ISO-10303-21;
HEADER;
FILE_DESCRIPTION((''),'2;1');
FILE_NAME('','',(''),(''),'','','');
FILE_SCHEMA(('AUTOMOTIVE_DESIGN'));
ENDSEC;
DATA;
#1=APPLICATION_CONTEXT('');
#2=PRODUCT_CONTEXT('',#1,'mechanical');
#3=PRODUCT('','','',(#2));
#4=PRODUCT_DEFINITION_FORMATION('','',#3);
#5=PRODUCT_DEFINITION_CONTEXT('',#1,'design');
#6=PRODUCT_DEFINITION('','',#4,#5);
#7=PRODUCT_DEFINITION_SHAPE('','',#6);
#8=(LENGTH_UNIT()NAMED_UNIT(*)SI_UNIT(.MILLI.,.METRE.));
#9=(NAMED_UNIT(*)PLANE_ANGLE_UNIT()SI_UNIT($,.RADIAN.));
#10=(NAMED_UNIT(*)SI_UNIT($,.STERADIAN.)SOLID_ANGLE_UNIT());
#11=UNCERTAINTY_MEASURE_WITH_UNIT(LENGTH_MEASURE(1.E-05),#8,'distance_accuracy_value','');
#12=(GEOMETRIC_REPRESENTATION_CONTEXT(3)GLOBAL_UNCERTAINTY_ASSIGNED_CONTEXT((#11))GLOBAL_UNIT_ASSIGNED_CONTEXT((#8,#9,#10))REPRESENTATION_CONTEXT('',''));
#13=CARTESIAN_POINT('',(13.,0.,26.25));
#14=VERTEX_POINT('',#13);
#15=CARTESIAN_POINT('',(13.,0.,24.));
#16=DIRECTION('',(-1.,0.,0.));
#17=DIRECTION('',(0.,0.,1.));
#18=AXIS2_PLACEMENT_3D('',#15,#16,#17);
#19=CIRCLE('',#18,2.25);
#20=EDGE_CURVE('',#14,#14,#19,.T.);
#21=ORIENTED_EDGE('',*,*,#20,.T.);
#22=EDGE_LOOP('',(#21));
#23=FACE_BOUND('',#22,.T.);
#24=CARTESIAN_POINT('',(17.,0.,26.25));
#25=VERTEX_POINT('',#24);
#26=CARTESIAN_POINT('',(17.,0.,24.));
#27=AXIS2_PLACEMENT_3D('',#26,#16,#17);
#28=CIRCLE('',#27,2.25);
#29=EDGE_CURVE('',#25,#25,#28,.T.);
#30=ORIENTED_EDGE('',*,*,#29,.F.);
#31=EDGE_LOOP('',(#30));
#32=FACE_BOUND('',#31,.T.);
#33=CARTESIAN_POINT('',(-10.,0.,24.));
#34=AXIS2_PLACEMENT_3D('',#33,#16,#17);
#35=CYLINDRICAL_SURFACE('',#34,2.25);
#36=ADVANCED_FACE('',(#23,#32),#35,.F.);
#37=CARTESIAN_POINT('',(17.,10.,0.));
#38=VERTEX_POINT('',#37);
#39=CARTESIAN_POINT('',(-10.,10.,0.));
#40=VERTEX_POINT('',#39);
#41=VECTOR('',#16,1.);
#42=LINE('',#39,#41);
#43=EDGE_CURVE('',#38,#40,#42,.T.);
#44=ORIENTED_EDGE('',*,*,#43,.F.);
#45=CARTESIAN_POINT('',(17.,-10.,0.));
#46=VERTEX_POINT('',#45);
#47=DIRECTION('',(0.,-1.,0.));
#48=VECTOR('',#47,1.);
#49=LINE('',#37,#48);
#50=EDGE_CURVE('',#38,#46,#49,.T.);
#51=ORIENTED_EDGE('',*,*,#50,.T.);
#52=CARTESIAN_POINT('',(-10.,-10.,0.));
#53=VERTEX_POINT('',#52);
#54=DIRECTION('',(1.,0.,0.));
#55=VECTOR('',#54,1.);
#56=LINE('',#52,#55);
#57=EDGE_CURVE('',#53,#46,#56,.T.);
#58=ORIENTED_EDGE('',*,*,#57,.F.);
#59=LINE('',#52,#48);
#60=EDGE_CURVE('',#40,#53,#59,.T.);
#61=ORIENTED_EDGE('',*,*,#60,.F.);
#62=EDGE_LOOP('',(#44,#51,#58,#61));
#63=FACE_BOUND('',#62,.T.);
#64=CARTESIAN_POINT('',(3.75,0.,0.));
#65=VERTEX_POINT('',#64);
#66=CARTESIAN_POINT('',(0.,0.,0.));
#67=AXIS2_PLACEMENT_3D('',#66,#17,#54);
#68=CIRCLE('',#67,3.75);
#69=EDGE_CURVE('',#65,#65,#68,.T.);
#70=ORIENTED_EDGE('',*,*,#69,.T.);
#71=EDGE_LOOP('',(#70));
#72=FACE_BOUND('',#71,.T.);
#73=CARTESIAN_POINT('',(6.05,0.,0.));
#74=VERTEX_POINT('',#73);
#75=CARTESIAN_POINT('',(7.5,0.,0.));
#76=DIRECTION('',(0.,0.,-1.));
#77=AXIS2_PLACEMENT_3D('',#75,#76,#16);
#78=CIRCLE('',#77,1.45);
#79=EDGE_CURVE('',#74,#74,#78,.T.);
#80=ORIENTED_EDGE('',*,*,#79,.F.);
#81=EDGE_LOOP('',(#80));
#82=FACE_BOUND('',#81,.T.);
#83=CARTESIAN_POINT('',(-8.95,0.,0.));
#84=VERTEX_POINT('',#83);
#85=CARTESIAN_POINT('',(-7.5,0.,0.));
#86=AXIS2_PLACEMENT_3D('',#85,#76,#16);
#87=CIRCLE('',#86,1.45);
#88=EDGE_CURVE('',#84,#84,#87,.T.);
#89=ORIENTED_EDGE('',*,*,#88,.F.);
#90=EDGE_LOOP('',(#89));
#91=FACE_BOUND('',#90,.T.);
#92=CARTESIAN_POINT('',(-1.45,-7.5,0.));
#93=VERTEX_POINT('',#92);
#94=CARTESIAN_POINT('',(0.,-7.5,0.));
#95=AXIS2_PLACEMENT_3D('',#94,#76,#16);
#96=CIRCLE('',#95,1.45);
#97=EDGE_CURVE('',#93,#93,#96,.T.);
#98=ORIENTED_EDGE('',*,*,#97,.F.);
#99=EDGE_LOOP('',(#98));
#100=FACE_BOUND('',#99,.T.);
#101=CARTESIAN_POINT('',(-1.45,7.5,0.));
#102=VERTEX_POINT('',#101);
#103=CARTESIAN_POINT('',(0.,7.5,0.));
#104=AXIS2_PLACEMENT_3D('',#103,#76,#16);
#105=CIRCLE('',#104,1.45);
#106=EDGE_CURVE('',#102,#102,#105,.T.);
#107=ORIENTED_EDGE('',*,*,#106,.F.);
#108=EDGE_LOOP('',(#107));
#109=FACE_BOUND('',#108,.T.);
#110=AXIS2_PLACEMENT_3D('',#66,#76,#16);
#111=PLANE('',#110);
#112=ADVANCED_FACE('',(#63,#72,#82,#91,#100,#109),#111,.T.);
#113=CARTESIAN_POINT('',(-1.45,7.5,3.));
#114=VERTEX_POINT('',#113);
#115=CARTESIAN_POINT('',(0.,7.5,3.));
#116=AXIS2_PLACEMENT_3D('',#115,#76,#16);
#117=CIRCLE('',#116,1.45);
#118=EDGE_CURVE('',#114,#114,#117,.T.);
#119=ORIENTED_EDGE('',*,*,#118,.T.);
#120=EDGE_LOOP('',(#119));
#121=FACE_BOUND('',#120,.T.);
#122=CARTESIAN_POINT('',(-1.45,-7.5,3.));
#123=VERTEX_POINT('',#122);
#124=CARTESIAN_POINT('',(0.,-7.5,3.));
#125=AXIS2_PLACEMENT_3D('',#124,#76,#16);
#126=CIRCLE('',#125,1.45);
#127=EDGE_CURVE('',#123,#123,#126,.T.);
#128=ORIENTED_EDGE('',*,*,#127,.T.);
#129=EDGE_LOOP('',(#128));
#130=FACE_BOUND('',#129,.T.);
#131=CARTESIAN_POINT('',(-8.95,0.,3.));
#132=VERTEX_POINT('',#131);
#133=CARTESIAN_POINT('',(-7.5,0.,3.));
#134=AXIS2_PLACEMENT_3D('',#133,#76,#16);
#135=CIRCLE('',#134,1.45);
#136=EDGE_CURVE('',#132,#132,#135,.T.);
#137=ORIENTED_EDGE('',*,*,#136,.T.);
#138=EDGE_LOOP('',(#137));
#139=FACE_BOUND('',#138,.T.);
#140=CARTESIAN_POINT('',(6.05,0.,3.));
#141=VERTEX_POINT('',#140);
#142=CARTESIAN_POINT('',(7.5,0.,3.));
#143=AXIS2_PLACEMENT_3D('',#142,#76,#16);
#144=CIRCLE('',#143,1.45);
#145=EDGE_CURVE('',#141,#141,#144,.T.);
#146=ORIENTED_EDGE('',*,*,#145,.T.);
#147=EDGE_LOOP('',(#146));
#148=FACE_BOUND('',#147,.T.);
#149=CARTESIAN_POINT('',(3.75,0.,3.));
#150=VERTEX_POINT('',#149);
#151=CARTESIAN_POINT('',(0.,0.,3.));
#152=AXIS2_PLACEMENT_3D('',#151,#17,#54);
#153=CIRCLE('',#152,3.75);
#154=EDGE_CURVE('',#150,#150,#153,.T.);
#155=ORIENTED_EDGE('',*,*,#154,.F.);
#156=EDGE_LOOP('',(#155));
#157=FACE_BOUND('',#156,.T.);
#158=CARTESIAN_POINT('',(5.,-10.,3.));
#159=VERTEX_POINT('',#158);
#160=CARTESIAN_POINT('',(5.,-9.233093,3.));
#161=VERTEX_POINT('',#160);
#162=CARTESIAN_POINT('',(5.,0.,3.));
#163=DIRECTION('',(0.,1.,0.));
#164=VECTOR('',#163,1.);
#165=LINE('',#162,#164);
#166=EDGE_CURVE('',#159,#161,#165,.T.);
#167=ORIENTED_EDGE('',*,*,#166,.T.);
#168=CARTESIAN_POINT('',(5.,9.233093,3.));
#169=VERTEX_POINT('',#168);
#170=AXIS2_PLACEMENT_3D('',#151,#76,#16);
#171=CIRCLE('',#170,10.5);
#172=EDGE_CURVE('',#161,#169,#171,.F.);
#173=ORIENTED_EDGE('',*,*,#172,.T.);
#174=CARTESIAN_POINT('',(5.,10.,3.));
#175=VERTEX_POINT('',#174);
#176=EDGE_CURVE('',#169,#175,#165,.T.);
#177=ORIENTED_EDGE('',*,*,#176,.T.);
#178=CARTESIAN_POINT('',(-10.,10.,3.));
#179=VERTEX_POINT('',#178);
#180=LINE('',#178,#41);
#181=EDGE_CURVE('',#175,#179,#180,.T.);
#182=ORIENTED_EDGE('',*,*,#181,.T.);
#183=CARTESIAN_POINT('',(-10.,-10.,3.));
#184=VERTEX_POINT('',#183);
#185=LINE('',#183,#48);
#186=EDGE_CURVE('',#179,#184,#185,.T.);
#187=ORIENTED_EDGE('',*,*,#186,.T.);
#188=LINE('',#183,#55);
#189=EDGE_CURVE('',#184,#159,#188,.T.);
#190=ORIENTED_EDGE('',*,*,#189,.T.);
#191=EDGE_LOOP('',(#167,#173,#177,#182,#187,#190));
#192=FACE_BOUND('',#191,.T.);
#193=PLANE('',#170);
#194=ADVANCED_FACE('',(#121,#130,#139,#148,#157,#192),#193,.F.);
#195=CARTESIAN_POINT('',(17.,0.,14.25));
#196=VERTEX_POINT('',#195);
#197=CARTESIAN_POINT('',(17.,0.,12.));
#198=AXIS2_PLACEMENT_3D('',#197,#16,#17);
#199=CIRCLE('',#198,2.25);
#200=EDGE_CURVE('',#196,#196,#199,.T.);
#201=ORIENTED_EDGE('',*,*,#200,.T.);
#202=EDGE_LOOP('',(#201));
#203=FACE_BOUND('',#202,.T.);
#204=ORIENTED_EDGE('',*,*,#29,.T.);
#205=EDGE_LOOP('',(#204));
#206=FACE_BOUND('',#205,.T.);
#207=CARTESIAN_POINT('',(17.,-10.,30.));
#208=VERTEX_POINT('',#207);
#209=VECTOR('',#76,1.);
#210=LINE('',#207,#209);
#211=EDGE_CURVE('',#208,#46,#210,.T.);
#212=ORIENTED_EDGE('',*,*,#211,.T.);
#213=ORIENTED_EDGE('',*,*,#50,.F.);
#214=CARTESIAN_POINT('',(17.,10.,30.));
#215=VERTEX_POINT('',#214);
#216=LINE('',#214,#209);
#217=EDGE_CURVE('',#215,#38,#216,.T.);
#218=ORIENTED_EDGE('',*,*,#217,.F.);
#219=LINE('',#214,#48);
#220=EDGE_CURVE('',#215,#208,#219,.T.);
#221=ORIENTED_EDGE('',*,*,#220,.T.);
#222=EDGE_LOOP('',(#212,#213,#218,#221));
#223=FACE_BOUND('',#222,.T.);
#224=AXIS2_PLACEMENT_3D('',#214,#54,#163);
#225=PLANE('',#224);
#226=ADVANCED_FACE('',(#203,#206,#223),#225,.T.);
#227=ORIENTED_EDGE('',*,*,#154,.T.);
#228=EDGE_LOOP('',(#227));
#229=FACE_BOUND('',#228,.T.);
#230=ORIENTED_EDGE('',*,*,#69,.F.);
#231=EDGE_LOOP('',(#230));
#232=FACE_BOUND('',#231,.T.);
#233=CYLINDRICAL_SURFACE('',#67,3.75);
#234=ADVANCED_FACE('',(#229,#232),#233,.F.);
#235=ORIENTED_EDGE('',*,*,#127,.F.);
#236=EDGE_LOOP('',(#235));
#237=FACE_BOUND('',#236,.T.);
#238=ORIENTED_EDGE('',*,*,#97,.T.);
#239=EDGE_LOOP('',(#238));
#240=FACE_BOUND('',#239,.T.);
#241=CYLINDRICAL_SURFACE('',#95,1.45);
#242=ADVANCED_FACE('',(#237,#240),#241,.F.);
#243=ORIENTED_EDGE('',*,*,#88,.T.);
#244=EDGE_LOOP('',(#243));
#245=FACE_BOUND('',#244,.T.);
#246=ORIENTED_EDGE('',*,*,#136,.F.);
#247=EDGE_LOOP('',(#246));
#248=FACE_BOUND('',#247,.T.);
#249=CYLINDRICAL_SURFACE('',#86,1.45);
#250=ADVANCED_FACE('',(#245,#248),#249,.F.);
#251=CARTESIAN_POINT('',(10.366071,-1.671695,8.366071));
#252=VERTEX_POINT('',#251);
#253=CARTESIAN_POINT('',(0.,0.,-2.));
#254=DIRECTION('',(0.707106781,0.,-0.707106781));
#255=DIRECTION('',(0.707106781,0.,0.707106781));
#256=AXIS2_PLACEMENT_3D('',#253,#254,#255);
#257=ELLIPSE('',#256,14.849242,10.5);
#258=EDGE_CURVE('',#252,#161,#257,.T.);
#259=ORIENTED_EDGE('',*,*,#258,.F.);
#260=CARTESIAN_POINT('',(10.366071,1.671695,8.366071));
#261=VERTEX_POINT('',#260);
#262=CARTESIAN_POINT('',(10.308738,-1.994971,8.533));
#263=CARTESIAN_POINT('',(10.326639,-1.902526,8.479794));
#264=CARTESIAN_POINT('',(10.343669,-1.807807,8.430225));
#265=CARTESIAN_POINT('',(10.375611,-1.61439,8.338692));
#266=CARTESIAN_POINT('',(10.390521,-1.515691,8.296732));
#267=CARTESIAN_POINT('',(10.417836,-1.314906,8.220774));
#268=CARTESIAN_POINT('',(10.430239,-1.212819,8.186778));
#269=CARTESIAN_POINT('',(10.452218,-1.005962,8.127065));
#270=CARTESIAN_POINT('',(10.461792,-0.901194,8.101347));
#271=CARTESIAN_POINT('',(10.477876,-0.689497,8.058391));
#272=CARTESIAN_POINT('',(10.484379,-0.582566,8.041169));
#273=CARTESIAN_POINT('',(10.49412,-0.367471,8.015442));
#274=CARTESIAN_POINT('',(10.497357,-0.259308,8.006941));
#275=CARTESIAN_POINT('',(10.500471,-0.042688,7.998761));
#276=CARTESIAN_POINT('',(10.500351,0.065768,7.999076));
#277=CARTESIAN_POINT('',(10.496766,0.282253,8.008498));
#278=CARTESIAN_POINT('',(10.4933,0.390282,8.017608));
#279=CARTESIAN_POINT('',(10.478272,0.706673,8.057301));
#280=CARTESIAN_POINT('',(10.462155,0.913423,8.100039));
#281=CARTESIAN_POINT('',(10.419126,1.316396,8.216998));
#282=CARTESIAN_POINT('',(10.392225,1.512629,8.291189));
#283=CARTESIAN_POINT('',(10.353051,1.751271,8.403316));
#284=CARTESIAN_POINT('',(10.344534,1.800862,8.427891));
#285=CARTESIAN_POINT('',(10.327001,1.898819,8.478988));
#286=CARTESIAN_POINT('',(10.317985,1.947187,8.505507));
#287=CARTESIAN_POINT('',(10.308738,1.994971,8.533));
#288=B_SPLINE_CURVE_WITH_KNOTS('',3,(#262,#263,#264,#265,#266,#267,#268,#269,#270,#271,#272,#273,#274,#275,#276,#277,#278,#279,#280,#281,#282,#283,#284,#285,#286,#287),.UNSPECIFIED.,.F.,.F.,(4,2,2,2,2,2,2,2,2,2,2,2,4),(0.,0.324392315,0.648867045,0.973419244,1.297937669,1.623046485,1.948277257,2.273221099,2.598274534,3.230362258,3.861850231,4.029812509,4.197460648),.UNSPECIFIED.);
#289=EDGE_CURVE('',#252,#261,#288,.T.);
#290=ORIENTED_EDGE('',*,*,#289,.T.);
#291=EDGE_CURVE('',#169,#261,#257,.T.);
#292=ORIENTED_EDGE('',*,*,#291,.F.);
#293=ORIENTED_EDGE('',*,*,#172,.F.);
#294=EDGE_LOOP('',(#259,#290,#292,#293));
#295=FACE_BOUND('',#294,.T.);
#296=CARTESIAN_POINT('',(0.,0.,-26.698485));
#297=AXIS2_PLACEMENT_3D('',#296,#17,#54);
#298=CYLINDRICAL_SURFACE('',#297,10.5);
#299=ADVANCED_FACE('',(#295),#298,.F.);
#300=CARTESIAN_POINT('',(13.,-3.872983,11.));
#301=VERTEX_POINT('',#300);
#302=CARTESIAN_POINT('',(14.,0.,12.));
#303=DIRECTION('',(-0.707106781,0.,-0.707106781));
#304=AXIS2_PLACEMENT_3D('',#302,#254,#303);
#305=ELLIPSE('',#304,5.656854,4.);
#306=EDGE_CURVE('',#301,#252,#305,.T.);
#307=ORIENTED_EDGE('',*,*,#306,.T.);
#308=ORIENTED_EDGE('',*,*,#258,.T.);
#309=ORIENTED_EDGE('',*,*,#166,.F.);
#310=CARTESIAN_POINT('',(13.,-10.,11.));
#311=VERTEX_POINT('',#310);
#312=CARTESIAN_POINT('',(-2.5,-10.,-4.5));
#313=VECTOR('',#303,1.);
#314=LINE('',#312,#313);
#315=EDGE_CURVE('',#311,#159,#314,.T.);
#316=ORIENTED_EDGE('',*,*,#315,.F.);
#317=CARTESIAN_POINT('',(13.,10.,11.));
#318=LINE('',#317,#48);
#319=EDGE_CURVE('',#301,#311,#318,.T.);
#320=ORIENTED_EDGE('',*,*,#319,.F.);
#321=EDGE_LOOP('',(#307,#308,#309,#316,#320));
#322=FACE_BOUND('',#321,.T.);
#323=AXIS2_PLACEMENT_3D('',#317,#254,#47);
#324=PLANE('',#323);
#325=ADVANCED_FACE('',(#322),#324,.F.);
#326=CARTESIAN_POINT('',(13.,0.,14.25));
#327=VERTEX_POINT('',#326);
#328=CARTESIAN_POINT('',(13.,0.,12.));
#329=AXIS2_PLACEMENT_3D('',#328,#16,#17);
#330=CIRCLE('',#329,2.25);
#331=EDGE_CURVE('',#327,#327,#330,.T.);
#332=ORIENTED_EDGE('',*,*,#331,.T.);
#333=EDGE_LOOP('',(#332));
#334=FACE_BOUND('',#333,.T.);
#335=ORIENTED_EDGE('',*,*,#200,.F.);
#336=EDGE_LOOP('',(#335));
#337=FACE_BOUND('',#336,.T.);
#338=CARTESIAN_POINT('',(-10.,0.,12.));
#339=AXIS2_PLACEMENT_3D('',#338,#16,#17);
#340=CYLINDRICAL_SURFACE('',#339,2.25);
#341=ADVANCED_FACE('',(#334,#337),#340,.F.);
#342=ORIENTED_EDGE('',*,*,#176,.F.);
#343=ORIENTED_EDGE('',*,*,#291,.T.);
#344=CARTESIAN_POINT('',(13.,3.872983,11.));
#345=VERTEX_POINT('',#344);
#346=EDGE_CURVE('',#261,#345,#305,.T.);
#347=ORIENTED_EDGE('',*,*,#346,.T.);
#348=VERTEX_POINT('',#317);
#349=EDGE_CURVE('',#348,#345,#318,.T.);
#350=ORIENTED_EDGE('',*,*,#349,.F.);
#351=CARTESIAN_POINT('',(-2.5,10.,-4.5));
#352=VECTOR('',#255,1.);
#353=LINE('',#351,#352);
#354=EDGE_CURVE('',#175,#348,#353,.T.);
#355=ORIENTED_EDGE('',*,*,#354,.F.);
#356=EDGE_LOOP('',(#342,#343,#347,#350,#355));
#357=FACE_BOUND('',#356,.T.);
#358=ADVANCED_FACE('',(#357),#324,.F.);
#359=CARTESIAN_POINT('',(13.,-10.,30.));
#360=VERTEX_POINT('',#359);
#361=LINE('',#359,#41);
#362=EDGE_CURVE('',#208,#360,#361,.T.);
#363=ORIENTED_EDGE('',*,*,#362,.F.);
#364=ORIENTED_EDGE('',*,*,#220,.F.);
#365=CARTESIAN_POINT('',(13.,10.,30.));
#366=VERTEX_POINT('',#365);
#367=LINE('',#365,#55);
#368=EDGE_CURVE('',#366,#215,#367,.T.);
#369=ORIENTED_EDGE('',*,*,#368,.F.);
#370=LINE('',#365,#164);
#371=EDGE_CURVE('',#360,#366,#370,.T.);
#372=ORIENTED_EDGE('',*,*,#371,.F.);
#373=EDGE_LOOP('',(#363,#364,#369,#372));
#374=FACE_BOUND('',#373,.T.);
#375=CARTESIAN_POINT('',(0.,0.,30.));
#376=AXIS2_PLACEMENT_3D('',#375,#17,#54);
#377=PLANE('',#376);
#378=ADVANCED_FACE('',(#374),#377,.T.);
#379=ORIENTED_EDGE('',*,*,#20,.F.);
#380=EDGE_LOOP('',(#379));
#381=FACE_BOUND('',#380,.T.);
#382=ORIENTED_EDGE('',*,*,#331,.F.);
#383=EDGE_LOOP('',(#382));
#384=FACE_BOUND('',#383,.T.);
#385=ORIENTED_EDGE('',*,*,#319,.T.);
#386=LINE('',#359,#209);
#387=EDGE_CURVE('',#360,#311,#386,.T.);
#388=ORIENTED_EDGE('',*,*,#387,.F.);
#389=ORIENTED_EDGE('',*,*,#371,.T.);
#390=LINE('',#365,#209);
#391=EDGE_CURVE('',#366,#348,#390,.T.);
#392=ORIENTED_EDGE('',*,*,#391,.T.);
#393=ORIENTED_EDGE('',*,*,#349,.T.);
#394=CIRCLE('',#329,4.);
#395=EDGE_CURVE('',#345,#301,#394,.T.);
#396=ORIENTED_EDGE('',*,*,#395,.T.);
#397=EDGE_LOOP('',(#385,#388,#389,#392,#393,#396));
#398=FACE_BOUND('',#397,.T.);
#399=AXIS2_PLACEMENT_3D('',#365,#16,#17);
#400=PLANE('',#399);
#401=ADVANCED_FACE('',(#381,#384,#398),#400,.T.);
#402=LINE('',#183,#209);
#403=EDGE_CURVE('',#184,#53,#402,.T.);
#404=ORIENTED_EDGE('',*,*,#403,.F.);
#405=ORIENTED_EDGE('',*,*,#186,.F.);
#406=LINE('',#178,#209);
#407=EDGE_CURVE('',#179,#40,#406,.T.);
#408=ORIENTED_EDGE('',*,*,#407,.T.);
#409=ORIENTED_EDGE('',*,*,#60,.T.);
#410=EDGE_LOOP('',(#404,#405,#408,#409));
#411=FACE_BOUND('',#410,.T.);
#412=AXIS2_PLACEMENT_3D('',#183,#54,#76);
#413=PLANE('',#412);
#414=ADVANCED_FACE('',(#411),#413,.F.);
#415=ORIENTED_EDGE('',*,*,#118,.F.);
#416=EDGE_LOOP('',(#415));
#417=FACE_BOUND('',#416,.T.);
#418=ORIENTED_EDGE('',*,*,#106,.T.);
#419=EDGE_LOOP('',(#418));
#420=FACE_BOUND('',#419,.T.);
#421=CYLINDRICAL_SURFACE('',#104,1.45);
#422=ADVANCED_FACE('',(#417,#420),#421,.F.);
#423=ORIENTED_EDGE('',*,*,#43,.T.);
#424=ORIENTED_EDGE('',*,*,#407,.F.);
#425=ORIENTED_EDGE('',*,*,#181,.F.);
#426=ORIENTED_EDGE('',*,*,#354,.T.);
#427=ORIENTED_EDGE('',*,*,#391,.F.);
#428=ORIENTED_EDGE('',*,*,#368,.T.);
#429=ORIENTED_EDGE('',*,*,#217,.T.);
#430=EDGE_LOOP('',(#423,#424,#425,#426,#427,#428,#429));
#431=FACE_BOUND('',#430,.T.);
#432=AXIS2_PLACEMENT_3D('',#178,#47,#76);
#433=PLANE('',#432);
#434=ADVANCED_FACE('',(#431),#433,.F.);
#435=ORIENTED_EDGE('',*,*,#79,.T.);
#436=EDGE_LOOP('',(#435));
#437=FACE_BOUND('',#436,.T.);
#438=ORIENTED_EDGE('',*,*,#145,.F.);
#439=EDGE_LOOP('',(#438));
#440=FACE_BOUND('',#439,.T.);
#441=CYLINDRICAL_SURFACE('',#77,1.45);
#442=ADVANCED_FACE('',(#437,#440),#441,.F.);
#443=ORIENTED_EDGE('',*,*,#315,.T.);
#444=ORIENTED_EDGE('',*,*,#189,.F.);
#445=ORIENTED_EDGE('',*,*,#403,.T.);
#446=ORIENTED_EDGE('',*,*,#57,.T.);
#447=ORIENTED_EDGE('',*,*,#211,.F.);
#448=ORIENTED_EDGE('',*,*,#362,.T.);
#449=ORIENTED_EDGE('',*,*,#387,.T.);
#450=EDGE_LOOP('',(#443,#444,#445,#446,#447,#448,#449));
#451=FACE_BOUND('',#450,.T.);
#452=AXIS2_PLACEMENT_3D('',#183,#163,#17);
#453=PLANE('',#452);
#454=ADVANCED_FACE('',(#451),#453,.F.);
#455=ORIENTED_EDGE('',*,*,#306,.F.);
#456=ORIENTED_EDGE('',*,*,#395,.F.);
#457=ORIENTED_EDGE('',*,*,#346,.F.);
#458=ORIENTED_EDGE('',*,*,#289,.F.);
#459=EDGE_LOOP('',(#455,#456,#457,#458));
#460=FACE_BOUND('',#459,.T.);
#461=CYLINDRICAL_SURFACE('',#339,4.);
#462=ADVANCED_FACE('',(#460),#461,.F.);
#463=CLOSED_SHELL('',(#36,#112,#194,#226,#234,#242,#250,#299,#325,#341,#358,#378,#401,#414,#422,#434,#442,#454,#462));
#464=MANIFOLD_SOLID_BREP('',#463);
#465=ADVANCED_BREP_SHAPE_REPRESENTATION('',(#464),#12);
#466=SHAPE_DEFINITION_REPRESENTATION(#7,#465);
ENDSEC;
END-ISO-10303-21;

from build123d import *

# Parameters (mm, degrees)
SKETCH_1_W                   = 20
SKETCH_1_H                   = 20
EXTRUDE_1_DEPTH              = 3
SKETCH_8_W                   = 3
SKETCH_8_H                   = 20
EXTRUDE_3_DEPTH              = 3
SKETCH_2_R                   = 3.75
CUT_EXTRUDE_1_DEPTH          = 17.673332001
SKETCH_3_W                   = 4
SKETCH_3_H                   = 20
EXTRUDE_2_DEPTH              = 30
CHAMFER_1_SIZE               = 8
SKETCH_9_R                   = 10.5
CUT_EXTRUDE_2_DEPTH          = 27
HOLE_WIZARD_M4_1_D           = 4.5
HOLE_WIZARD_M4_1_CBORE_D     = 8
HOLE_WIZARD_M4_1_CBORE_DEPTH = 23
HOLE_WIZARD_M2_5_1_D         = 2.9


with BuildPart() as part:
    # 草圖1 → 填料-伸長1 (new body)
    with BuildSketch(Plane.XY):
        Rectangle(SKETCH_1_W, SKETCH_1_H)
    extrude(amount=EXTRUDE_1_DEPTH)

    # 草圖8 → 填料-伸長3 (add)
    with BuildSketch(Plane(origin=(10, 0, 0), x_dir=(0, 0, -1), z_dir=(1, 0, 0))):
        with Locations((-1.5, 0)):
            Rectangle(SKETCH_8_W, SKETCH_8_H)
    extrude(amount=EXTRUDE_3_DEPTH)

    # 草圖2 → 除料-伸長1 (cut, through all)
    with BuildSketch(Plane.XY.offset(3)):
        Circle(SKETCH_2_R)
    extrude(amount=-CUT_EXTRUDE_1_DEPTH, mode=Mode.SUBTRACT)

    # 草圖3 → 填料-伸長2 (add)
    with BuildSketch(Plane(origin=(0, 0, 0), x_dir=(-1, 0, 0), z_dir=(0, 0, -1))):
        with Locations((-15, 0)):
            Rectangle(SKETCH_3_W, SKETCH_3_H)
    extrude(amount=-EXTRUDE_2_DEPTH)

    # 導角1
    chamfer_1_edges = [part.edges().sort_by_distance(p)[0] for p in [
        (13, 0, 3),
    ]]
    chamfer(chamfer_1_edges, length=CHAMFER_1_SIZE)

    # 草圖9 → 除料-伸長2 (cut)
    with BuildSketch(Plane.XY.offset(30)):
        Circle(SKETCH_9_R)
    extrude(amount=-CUT_EXTRUDE_2_DEPTH, mode=Mode.SUBTRACT)

    # M4 凹頭蓋螺釘的柱孔1 (through all)
    with Locations(Plane.ZY.offset(10)):
        with Locations((24, 0), (12, 0)):
            CounterBoreHole(HOLE_WIZARD_M4_1_D / 2, HOLE_WIZARD_M4_1_CBORE_D / 2, HOLE_WIZARD_M4_1_CBORE_DEPTH)

    # M2.5 餘隙孔1 (through all)
    with Locations(Plane(origin=(0, 0, 0), x_dir=(-1, 0, 0), z_dir=(0, 0, -1))):
        with Locations((0, -7.5), (0, 7.5), (-7.5, 0), (7.5, 0)):
            Hole(HOLE_WIZARD_M2_5_1_D / 2)


solid = part.part
